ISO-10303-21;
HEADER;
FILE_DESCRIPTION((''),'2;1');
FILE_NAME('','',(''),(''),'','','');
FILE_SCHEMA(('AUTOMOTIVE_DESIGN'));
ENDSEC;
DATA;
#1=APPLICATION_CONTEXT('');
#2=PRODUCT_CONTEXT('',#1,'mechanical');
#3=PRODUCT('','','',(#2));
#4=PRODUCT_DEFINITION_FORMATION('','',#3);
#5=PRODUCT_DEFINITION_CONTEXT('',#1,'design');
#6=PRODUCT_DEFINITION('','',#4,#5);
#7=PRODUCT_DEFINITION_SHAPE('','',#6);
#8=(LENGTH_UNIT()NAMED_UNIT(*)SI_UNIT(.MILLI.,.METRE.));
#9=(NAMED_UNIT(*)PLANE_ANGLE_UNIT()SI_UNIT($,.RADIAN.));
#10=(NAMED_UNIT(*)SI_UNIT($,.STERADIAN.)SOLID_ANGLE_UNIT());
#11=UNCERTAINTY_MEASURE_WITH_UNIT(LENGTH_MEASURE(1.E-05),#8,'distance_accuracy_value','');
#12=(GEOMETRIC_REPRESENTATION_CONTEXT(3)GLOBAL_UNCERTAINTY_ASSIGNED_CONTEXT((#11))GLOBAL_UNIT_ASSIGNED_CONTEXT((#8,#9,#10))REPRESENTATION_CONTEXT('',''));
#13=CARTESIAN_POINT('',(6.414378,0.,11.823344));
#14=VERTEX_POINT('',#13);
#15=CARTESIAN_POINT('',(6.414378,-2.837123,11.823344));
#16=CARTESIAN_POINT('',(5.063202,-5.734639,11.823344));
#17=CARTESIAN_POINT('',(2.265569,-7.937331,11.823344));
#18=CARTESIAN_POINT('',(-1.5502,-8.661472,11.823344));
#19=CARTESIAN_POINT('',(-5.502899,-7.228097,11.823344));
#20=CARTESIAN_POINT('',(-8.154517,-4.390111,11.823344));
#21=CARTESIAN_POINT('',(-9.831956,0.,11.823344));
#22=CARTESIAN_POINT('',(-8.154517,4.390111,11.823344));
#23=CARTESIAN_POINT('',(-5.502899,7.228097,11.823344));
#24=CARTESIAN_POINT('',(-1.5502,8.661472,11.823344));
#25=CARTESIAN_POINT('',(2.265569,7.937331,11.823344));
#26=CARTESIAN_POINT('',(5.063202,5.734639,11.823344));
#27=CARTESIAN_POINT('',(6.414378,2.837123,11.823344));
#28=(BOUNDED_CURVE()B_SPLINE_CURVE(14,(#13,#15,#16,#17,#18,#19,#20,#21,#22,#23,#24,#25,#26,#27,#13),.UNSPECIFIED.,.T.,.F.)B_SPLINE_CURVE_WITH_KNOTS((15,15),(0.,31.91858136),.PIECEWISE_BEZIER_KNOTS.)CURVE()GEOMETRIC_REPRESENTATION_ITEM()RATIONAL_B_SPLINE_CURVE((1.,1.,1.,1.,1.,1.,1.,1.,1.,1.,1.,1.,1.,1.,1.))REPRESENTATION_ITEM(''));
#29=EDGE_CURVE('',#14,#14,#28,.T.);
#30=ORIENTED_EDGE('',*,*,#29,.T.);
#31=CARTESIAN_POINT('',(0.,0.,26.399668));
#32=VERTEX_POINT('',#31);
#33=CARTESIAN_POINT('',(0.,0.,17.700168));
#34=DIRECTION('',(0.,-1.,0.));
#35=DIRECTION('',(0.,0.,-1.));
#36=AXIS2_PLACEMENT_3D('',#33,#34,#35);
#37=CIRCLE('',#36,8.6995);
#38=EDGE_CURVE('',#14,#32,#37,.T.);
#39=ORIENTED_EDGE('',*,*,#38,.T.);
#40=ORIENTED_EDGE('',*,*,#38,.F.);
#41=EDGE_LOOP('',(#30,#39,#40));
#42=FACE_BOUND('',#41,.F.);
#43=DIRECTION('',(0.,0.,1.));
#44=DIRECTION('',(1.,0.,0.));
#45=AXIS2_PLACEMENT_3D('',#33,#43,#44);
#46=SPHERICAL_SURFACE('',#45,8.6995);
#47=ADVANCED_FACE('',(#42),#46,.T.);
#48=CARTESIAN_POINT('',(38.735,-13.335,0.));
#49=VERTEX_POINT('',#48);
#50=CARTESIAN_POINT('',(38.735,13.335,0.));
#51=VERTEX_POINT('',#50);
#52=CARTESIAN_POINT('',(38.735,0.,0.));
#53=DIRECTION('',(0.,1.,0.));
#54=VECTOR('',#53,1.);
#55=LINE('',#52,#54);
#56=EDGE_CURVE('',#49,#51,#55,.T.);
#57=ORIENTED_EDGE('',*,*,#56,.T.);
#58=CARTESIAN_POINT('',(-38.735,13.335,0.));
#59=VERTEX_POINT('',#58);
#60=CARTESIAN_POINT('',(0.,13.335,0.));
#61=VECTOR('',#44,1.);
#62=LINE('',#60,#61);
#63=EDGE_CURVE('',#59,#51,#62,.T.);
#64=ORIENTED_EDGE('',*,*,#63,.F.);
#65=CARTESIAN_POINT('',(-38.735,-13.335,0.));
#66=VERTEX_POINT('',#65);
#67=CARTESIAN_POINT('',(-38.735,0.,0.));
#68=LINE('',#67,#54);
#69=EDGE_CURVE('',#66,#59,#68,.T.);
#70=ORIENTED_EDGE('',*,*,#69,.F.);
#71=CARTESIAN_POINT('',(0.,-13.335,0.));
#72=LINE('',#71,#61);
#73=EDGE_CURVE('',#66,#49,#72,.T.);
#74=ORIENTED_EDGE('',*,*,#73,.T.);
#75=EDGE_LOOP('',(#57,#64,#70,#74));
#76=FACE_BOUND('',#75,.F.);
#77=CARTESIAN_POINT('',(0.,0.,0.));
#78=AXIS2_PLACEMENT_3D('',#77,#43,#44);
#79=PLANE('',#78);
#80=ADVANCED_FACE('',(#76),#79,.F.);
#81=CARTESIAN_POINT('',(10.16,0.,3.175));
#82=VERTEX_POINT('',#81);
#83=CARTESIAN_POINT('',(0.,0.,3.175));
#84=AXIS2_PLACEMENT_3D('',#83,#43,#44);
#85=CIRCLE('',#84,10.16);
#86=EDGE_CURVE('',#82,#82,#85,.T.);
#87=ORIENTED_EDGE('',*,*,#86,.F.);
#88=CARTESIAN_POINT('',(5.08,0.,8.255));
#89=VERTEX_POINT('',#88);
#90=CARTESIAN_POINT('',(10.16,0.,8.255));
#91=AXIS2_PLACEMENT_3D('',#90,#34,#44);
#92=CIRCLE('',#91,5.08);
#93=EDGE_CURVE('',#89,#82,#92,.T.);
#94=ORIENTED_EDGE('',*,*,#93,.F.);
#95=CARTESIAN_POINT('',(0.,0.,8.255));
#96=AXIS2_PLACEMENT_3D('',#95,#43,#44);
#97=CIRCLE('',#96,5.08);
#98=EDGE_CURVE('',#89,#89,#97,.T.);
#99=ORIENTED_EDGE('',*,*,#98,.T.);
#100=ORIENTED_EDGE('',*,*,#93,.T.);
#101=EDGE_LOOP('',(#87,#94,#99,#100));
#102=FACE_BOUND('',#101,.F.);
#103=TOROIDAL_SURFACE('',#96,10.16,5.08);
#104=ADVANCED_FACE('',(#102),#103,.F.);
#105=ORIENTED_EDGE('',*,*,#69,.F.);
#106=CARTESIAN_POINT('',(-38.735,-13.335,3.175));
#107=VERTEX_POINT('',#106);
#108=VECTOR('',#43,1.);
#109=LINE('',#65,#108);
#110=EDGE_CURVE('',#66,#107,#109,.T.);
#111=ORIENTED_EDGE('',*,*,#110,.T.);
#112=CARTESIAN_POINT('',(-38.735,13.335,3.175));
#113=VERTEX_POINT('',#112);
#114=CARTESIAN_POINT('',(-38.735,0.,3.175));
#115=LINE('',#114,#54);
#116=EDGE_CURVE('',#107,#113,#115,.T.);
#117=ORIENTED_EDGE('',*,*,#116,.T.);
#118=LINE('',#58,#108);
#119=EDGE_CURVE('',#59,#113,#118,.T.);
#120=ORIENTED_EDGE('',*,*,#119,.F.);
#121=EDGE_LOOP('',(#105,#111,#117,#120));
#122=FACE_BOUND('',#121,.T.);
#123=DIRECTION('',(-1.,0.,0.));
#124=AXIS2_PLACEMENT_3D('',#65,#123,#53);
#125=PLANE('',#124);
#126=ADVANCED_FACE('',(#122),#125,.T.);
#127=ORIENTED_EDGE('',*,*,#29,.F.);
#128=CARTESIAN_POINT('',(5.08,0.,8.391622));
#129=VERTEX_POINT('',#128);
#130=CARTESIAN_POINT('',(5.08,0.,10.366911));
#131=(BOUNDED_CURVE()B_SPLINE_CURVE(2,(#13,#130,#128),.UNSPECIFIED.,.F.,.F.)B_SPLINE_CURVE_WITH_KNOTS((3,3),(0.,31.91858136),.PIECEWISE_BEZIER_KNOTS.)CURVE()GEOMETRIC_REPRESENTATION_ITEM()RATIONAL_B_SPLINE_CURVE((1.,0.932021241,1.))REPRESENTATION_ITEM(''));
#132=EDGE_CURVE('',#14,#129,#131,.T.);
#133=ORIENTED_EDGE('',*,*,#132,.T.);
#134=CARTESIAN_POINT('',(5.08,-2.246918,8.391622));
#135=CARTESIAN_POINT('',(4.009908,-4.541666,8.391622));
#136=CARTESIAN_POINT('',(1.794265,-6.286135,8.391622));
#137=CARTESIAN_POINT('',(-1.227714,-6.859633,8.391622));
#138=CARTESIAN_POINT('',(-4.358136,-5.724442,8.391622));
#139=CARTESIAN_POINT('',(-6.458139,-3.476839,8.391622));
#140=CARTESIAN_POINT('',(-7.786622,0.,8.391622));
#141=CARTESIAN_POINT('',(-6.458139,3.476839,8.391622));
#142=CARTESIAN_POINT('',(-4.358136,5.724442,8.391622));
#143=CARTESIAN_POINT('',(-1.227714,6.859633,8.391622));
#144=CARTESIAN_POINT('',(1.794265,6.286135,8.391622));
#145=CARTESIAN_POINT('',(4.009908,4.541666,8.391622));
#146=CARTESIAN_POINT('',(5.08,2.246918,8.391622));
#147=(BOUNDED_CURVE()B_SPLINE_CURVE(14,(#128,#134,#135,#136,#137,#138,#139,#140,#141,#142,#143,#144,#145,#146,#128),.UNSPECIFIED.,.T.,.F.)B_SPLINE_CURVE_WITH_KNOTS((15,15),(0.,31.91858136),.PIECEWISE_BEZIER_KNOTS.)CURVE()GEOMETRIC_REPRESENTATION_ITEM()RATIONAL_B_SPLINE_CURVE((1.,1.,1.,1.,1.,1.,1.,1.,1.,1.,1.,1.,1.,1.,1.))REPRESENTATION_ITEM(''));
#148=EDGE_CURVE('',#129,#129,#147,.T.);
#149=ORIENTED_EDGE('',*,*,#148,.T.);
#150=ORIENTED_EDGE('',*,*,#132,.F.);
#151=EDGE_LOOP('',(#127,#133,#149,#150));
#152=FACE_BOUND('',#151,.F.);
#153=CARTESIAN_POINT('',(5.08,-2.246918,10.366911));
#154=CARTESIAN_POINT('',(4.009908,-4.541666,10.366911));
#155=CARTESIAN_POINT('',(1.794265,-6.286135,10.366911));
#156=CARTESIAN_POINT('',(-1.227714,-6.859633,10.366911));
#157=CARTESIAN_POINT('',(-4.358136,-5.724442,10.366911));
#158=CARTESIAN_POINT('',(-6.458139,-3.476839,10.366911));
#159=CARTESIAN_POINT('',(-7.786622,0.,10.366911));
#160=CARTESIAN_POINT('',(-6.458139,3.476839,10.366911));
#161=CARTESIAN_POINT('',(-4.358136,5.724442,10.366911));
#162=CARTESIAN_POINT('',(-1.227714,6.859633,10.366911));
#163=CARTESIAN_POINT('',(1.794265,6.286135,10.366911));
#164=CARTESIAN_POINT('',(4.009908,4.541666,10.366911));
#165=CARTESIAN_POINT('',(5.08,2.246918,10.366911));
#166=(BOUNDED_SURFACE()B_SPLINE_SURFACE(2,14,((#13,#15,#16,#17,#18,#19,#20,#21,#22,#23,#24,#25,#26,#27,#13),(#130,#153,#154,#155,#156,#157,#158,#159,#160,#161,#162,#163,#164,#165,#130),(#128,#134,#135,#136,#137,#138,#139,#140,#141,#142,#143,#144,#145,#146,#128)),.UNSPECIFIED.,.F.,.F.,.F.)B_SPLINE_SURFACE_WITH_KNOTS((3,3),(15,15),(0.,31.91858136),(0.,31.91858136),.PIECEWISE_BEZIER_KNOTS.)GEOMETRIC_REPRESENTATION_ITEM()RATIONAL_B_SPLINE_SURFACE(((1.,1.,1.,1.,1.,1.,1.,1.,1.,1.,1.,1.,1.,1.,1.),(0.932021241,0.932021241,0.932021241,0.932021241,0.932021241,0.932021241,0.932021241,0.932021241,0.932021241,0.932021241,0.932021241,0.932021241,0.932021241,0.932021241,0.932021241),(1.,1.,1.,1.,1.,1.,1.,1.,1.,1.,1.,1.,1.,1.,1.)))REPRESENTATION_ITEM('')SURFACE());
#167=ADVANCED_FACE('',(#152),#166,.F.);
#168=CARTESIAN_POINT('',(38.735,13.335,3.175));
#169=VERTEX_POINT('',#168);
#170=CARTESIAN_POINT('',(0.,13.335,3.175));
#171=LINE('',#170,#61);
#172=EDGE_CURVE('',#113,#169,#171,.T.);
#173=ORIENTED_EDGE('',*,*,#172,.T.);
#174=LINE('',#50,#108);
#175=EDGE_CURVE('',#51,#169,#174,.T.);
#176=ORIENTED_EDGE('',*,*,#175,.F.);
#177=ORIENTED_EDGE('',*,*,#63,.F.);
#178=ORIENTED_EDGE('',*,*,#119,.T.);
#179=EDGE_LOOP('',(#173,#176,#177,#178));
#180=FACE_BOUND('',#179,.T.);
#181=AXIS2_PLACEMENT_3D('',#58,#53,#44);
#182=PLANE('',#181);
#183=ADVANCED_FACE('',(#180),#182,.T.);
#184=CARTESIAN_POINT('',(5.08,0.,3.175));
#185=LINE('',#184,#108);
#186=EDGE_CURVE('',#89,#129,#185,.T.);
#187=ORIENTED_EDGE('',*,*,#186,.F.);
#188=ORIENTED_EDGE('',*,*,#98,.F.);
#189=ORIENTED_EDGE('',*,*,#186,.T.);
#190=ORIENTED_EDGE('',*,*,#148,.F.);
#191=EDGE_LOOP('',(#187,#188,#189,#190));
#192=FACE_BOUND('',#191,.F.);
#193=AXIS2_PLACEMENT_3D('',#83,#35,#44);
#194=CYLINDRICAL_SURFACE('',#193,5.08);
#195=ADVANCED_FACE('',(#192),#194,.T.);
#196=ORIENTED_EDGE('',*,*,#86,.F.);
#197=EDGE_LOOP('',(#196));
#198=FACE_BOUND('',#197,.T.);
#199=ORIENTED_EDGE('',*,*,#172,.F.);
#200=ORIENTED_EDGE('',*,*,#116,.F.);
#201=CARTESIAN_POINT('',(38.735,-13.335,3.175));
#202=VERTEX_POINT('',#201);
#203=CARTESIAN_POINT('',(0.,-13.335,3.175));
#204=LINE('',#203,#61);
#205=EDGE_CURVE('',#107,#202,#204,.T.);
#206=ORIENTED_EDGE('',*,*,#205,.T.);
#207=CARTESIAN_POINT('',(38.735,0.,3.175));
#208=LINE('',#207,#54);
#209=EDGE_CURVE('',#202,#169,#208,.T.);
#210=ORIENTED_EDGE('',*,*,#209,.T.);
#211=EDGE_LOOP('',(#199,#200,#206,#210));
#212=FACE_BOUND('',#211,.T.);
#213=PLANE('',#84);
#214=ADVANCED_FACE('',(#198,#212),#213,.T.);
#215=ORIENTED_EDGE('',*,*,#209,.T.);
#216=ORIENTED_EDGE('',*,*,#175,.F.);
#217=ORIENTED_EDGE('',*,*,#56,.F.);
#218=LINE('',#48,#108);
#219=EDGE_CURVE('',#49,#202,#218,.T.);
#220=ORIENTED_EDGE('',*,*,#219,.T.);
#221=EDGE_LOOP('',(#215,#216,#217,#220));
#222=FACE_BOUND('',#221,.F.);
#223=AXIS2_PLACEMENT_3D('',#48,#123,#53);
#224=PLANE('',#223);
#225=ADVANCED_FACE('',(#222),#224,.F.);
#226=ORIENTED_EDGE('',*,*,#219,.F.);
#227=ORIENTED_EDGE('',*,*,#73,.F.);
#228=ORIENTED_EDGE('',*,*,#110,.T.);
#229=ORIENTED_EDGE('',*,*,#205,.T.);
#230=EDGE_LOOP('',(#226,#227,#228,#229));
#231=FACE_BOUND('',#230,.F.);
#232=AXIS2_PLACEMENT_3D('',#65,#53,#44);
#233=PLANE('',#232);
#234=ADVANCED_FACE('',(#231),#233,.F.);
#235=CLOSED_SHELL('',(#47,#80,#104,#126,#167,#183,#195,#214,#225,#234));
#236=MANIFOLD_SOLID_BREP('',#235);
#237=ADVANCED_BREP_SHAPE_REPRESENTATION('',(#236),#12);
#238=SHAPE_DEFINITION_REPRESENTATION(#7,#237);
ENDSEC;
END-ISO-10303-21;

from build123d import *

# Parameters (mm, degrees)
F0_W     = 77.47
F0_H     = 26.67
F1_DEPTH = 3.175
F2_R     = 5.08
F3_DEPTH = 14.525168
F6_R     = 5.08


with BuildPart() as f1:
    # F0 (on Top) → F1 (new body)
    with BuildSketch(Plane.XY):
        Rectangle(F0_W, F0_H)
    extrude(amount=F1_DEPTH)

    # F2 (on face) → F3 (join)
    with BuildSketch(Plane.XY.offset(3.175)):
        Circle(F2_R)
    extrude(amount=F3_DEPTH)

    # F4 (on Front) → F5 (revolve)
    with BuildSketch(Plane.XZ):
        with BuildLine():
            Line((0, 26.399668), (0, 9.000668))
            ThreePointArc((0, 9.000668), (8.6995, 17.700168), (0, 26.399668))
        make_face()
    revolve(axis=Axis((0, 0, 17.700168), (0, 0, -1)))

    # F6
    f6_edges = [f1.edges().sort_by_distance(p)[0] for p in [
        (-5.08, 0, 3.175),
        (-5.08, 0, 10.637951),
    ]]
    fillet(f6_edges, radius=F6_R)


solid = f1.part
